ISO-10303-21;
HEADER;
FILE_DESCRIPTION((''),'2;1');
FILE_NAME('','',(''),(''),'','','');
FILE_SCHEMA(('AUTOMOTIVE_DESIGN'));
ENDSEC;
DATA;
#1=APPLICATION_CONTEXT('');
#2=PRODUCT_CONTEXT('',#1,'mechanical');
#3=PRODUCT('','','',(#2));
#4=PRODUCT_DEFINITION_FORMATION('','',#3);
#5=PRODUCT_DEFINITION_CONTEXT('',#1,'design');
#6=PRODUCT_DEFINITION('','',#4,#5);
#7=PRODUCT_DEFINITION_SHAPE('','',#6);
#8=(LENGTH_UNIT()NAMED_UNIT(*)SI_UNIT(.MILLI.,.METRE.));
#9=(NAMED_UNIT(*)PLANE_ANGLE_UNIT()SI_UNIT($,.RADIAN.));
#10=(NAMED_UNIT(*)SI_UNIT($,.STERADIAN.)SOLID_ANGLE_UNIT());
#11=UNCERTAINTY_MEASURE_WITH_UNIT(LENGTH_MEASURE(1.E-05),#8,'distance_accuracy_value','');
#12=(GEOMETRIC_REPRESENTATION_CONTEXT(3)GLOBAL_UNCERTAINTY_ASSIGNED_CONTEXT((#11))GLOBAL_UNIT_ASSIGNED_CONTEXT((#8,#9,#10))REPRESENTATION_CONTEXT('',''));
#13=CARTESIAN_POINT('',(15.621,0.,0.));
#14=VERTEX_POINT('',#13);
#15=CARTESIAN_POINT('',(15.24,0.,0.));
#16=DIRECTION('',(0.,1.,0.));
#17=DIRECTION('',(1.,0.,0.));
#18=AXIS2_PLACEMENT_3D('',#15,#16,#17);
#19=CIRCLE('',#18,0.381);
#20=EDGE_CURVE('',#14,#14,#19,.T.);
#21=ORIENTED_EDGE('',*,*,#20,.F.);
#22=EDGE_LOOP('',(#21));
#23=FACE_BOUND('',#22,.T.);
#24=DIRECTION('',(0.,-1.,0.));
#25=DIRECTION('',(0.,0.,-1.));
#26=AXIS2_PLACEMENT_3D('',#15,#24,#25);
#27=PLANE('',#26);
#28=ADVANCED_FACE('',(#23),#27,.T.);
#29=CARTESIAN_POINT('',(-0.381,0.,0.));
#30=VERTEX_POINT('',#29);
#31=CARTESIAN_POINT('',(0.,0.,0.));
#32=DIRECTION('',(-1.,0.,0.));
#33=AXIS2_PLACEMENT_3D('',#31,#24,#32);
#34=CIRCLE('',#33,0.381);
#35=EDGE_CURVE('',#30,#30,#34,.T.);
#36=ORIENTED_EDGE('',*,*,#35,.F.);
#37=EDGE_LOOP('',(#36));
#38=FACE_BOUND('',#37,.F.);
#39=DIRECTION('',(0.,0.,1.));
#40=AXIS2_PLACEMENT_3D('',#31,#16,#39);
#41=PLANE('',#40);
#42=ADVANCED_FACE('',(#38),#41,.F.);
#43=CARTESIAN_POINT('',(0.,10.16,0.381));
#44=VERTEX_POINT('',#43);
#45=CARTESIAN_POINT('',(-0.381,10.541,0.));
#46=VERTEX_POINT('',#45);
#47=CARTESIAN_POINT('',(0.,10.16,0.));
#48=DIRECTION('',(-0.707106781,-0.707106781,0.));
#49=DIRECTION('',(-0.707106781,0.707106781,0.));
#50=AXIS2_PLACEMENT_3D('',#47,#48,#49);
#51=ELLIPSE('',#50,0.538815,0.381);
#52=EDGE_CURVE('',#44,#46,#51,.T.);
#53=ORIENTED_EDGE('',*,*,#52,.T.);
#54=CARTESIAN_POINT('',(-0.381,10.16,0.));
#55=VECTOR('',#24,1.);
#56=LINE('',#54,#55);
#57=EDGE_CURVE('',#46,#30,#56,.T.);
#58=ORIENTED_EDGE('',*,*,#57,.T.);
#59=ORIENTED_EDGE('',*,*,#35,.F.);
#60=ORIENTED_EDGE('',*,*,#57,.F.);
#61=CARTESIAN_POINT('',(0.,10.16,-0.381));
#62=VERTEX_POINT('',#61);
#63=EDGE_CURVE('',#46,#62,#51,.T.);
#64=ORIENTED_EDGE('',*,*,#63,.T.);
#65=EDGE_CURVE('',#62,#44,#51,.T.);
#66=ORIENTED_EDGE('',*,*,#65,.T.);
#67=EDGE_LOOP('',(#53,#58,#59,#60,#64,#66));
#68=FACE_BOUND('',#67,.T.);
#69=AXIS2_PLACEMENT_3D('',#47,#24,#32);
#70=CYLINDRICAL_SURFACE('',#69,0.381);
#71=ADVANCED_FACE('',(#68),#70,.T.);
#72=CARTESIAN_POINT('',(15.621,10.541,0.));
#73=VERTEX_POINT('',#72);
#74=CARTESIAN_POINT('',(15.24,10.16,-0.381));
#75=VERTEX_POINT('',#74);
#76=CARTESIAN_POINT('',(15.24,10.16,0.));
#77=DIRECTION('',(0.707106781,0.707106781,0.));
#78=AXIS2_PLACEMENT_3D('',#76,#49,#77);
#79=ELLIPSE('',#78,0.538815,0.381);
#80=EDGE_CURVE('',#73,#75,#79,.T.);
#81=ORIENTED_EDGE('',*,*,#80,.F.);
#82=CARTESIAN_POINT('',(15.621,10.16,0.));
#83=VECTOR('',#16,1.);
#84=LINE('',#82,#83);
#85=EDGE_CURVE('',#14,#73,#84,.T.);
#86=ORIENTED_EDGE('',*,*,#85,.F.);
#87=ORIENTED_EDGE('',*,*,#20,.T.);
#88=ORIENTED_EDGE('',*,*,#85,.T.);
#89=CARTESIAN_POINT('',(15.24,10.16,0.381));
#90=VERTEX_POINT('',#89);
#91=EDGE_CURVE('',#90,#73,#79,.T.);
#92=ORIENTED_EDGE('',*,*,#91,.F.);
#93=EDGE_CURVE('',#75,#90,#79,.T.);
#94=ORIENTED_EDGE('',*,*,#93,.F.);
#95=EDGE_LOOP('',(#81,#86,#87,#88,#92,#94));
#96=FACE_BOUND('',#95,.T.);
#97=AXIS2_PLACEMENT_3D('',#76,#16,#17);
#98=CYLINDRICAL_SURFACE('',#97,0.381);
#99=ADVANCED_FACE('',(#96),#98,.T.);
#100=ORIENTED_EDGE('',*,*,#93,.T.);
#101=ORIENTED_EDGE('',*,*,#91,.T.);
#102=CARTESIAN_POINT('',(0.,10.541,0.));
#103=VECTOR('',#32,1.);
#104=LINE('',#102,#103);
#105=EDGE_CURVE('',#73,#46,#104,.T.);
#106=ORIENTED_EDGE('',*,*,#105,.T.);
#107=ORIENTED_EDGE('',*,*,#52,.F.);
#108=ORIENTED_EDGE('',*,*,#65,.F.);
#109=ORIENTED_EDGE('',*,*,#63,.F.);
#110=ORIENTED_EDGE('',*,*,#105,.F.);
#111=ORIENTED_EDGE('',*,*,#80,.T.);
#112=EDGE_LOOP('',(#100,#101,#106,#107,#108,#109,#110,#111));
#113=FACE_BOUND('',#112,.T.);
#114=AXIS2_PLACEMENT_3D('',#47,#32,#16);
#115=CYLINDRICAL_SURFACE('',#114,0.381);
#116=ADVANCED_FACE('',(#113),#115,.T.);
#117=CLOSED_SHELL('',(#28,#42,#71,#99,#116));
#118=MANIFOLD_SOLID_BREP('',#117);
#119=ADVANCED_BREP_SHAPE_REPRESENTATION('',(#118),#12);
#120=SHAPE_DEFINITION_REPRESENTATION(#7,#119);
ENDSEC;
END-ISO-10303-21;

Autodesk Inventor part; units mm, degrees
ref_plane "YZ Plane" through (0, 0, 0) normal (1, 0, 0) x (0, 1, 0)
ref_plane "XZ Plane" through (0, 0, 0) normal (0, 1, 0) x (-1, 0, 0)
ref_plane "XY Plane" through (0, 0, 0) normal (0, 0, 1) x (1, 0, 0)
sketch "Sketch1" plane through (0, 0, 0) normal (0, 0, 1) x (1, 0, 0)
  line L0 (0, 10.16) -> (0, 0)
  line L1 (0, 10.16) -> (15.24, 10.16)
  line L2 (15.24, 10.16) -> (15.24, 0)
  dimension "d0" = 10.16
  dimension "d4" = 15.24
  dimension "d7" = 10.16
sketch "Sketch3" plane through (0, 0, 0) normal (0, 1, 0) x (-1, 0, 0)
  circle A0 centre (0, 0) radius 0.381
  circle A1 centre (-15.2457, 0) radius 0.381
  dimension "d5" = 0.762
  dimension "d6" = 0.762
sweep "Sweep1" add profiles "Sketch3" path "Sketch1" contours A0
properties part number "Leg"
